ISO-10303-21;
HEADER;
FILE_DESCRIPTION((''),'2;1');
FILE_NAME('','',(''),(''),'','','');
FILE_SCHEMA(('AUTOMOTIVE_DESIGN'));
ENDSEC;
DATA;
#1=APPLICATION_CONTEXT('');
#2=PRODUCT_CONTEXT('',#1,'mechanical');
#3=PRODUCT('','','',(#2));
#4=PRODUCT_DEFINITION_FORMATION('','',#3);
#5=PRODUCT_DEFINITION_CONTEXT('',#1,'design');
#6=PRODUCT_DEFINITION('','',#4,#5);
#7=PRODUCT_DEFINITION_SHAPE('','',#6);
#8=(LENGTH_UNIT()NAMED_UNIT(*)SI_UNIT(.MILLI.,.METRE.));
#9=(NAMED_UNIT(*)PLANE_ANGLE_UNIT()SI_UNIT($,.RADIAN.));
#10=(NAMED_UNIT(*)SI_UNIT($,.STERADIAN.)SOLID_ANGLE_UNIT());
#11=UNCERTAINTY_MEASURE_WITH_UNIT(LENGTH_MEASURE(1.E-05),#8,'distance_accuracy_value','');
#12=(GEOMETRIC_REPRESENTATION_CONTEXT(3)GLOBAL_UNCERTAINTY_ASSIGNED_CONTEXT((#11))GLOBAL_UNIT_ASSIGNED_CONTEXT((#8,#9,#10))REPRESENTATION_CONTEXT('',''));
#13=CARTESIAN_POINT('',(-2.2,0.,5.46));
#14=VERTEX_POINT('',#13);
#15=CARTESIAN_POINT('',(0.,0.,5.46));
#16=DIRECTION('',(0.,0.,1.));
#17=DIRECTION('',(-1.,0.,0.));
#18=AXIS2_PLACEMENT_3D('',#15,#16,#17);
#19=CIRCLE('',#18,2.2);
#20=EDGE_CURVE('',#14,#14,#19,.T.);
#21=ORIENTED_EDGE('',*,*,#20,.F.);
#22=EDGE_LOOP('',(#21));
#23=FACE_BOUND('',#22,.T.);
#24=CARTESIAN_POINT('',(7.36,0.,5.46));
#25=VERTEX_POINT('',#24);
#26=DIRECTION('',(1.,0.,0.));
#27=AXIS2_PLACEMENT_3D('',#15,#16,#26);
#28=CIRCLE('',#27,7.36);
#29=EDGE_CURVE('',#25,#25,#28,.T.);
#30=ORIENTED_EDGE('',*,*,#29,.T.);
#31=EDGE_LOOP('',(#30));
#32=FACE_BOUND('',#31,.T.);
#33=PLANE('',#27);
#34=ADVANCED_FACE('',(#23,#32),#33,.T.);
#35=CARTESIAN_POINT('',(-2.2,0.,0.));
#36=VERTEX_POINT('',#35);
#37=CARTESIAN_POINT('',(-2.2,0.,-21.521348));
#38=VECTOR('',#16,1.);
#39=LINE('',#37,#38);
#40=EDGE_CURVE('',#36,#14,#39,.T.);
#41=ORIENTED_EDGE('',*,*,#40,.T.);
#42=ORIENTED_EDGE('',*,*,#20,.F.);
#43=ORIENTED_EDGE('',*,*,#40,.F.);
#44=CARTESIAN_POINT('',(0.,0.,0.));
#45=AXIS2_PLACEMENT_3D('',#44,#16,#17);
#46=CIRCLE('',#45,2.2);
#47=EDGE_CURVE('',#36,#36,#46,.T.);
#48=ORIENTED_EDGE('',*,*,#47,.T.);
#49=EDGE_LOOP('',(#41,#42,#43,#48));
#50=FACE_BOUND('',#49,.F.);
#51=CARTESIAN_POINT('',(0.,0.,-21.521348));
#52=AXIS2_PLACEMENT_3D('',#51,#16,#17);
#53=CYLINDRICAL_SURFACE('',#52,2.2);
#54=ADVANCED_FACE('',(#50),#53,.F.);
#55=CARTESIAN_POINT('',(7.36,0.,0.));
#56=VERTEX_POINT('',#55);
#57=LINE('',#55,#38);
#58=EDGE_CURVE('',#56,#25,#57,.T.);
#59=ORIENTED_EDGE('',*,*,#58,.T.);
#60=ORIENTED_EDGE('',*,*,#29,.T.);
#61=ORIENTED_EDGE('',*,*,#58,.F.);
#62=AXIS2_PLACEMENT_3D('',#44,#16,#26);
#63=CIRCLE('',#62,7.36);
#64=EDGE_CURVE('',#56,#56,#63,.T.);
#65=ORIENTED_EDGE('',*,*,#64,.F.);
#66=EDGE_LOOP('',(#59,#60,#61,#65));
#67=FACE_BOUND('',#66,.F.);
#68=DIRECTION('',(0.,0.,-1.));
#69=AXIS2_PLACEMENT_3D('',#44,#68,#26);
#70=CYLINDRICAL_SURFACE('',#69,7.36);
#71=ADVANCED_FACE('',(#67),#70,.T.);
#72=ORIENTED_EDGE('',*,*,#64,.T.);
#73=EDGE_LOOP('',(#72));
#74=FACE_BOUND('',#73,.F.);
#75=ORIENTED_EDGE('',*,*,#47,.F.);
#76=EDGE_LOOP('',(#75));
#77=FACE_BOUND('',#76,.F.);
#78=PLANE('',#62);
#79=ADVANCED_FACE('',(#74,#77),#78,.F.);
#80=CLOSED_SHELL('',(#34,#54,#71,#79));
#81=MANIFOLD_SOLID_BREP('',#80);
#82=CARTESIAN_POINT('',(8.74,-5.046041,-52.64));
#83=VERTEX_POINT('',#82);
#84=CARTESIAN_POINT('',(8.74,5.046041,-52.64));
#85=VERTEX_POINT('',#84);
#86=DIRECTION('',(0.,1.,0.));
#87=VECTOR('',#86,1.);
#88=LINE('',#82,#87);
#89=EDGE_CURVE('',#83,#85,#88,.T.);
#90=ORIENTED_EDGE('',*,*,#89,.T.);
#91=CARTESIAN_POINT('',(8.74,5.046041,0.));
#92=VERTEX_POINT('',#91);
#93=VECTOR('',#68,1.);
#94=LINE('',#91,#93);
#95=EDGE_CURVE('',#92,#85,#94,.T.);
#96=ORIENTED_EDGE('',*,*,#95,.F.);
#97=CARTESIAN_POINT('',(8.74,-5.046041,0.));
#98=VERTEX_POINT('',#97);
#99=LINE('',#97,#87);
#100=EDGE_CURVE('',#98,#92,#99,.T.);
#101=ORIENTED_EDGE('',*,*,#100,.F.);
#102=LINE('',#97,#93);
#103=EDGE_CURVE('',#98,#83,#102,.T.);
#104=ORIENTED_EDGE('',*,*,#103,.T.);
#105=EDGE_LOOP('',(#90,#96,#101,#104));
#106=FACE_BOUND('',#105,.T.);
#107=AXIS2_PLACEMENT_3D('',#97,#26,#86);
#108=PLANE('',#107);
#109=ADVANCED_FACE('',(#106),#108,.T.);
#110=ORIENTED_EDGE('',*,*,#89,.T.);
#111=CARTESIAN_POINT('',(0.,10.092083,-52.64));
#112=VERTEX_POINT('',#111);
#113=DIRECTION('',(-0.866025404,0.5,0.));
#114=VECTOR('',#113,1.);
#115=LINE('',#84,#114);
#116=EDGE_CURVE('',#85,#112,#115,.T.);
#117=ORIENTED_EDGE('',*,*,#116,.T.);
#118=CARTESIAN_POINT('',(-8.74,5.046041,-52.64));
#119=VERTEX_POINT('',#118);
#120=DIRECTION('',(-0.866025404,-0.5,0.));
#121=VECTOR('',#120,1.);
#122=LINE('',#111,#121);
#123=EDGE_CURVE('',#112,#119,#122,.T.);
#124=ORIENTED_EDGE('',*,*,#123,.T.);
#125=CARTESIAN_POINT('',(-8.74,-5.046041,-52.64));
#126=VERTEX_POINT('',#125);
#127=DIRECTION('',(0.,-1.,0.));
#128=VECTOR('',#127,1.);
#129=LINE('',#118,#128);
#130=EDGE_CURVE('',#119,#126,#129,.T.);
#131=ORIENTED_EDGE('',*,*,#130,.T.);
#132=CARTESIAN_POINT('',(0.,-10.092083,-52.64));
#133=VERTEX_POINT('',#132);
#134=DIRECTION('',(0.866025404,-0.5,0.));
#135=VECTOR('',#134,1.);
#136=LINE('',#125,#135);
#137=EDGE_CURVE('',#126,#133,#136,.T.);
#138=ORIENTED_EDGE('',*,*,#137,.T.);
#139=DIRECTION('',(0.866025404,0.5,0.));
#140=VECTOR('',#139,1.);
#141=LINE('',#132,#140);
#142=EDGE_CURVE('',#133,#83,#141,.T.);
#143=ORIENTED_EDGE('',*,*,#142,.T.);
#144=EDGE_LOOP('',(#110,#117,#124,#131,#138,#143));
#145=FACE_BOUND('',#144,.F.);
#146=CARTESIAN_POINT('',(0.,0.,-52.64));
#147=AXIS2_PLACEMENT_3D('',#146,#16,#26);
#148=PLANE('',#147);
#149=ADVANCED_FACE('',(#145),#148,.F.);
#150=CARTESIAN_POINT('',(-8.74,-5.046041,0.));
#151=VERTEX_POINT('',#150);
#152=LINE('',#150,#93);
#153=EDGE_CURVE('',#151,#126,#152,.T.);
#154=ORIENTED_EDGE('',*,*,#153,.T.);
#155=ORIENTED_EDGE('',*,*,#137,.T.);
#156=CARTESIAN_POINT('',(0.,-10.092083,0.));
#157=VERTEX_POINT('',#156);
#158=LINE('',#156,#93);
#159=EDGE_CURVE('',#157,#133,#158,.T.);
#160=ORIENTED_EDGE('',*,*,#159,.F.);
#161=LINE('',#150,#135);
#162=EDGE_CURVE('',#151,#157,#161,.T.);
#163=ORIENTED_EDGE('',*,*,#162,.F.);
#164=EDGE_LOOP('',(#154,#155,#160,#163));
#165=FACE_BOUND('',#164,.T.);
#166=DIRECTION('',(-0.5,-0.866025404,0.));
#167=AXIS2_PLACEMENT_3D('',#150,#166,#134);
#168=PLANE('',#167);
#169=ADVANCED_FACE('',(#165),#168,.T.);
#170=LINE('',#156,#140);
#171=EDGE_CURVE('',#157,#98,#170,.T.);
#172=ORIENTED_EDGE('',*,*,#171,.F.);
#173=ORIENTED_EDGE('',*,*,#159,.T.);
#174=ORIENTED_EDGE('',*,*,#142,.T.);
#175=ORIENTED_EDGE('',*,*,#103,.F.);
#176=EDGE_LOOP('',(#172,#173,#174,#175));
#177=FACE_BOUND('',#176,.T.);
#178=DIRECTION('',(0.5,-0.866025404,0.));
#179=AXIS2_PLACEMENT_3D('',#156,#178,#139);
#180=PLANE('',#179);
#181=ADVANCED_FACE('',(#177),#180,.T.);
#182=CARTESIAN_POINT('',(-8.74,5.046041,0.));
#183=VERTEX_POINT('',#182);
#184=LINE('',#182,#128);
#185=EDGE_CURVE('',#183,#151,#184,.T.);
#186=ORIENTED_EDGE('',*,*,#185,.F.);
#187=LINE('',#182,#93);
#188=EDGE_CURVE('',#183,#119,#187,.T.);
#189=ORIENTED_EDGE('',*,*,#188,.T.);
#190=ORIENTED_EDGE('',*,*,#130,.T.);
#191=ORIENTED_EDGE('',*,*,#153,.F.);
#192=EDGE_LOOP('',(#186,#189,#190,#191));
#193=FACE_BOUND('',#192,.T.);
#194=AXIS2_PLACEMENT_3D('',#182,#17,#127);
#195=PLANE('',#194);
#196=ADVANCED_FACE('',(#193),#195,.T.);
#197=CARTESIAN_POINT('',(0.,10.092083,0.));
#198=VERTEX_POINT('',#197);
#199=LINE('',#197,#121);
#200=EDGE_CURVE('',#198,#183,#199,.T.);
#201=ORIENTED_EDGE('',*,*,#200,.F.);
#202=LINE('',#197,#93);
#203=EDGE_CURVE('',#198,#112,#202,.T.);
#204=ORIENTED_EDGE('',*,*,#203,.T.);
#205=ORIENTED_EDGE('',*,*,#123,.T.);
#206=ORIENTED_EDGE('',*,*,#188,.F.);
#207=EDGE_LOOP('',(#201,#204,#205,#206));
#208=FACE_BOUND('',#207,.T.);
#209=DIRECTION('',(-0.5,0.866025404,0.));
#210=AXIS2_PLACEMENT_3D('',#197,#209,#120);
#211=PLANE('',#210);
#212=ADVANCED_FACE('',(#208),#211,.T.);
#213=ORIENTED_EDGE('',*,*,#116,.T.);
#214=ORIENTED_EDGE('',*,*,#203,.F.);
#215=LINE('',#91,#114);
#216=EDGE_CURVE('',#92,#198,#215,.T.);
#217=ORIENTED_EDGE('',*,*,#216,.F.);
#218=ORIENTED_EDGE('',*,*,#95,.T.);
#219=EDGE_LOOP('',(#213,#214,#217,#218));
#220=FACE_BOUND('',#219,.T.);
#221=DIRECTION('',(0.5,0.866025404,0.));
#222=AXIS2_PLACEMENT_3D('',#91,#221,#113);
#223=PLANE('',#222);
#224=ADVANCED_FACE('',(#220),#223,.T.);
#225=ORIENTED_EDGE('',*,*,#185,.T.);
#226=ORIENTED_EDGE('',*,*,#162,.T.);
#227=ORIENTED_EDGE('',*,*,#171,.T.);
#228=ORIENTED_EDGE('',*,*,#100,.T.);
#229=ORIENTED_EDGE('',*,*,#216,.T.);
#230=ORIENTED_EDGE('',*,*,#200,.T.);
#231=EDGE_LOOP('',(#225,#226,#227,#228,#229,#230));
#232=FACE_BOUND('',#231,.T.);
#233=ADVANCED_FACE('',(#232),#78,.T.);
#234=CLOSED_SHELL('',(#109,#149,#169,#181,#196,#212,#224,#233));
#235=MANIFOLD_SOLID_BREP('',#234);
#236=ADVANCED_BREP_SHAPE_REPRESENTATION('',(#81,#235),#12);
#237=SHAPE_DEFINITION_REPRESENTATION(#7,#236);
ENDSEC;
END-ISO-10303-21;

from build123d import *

# Parameters (mm, degrees)
F1_DEPTH = 52.64
F2_R     = 7.36
F3_DEPTH = 5.46
F5_D     = 4.4


with BuildPart() as f1:
    # F0 (on Top) → F1 (new body)
    with BuildSketch(Plane.XY):
        Polygon((8.74, -5.0460413527), (8.74, 5.0460413527), (0, 10.0920827054), (-8.74, 5.0460413527), (-8.74, -5.0460413527), (0, -10.0920827054), align=None)
    extrude(amount=-F1_DEPTH)


with BuildPart() as f3:
    # F2 (on Top) → F3 (new body)
    with BuildSketch(Plane.XY):
        Circle(F2_R)
    extrude(amount=F3_DEPTH)

    # F5 (through all)
    with Locations(Plane(origin=(0, 0, 0), x_dir=(1, 0, 0), z_dir=(0, 0, -1))):
        with Locations((0, 0)):
            Hole(F5_D / 2)


solid = Compound([f1.part, f3.part])
